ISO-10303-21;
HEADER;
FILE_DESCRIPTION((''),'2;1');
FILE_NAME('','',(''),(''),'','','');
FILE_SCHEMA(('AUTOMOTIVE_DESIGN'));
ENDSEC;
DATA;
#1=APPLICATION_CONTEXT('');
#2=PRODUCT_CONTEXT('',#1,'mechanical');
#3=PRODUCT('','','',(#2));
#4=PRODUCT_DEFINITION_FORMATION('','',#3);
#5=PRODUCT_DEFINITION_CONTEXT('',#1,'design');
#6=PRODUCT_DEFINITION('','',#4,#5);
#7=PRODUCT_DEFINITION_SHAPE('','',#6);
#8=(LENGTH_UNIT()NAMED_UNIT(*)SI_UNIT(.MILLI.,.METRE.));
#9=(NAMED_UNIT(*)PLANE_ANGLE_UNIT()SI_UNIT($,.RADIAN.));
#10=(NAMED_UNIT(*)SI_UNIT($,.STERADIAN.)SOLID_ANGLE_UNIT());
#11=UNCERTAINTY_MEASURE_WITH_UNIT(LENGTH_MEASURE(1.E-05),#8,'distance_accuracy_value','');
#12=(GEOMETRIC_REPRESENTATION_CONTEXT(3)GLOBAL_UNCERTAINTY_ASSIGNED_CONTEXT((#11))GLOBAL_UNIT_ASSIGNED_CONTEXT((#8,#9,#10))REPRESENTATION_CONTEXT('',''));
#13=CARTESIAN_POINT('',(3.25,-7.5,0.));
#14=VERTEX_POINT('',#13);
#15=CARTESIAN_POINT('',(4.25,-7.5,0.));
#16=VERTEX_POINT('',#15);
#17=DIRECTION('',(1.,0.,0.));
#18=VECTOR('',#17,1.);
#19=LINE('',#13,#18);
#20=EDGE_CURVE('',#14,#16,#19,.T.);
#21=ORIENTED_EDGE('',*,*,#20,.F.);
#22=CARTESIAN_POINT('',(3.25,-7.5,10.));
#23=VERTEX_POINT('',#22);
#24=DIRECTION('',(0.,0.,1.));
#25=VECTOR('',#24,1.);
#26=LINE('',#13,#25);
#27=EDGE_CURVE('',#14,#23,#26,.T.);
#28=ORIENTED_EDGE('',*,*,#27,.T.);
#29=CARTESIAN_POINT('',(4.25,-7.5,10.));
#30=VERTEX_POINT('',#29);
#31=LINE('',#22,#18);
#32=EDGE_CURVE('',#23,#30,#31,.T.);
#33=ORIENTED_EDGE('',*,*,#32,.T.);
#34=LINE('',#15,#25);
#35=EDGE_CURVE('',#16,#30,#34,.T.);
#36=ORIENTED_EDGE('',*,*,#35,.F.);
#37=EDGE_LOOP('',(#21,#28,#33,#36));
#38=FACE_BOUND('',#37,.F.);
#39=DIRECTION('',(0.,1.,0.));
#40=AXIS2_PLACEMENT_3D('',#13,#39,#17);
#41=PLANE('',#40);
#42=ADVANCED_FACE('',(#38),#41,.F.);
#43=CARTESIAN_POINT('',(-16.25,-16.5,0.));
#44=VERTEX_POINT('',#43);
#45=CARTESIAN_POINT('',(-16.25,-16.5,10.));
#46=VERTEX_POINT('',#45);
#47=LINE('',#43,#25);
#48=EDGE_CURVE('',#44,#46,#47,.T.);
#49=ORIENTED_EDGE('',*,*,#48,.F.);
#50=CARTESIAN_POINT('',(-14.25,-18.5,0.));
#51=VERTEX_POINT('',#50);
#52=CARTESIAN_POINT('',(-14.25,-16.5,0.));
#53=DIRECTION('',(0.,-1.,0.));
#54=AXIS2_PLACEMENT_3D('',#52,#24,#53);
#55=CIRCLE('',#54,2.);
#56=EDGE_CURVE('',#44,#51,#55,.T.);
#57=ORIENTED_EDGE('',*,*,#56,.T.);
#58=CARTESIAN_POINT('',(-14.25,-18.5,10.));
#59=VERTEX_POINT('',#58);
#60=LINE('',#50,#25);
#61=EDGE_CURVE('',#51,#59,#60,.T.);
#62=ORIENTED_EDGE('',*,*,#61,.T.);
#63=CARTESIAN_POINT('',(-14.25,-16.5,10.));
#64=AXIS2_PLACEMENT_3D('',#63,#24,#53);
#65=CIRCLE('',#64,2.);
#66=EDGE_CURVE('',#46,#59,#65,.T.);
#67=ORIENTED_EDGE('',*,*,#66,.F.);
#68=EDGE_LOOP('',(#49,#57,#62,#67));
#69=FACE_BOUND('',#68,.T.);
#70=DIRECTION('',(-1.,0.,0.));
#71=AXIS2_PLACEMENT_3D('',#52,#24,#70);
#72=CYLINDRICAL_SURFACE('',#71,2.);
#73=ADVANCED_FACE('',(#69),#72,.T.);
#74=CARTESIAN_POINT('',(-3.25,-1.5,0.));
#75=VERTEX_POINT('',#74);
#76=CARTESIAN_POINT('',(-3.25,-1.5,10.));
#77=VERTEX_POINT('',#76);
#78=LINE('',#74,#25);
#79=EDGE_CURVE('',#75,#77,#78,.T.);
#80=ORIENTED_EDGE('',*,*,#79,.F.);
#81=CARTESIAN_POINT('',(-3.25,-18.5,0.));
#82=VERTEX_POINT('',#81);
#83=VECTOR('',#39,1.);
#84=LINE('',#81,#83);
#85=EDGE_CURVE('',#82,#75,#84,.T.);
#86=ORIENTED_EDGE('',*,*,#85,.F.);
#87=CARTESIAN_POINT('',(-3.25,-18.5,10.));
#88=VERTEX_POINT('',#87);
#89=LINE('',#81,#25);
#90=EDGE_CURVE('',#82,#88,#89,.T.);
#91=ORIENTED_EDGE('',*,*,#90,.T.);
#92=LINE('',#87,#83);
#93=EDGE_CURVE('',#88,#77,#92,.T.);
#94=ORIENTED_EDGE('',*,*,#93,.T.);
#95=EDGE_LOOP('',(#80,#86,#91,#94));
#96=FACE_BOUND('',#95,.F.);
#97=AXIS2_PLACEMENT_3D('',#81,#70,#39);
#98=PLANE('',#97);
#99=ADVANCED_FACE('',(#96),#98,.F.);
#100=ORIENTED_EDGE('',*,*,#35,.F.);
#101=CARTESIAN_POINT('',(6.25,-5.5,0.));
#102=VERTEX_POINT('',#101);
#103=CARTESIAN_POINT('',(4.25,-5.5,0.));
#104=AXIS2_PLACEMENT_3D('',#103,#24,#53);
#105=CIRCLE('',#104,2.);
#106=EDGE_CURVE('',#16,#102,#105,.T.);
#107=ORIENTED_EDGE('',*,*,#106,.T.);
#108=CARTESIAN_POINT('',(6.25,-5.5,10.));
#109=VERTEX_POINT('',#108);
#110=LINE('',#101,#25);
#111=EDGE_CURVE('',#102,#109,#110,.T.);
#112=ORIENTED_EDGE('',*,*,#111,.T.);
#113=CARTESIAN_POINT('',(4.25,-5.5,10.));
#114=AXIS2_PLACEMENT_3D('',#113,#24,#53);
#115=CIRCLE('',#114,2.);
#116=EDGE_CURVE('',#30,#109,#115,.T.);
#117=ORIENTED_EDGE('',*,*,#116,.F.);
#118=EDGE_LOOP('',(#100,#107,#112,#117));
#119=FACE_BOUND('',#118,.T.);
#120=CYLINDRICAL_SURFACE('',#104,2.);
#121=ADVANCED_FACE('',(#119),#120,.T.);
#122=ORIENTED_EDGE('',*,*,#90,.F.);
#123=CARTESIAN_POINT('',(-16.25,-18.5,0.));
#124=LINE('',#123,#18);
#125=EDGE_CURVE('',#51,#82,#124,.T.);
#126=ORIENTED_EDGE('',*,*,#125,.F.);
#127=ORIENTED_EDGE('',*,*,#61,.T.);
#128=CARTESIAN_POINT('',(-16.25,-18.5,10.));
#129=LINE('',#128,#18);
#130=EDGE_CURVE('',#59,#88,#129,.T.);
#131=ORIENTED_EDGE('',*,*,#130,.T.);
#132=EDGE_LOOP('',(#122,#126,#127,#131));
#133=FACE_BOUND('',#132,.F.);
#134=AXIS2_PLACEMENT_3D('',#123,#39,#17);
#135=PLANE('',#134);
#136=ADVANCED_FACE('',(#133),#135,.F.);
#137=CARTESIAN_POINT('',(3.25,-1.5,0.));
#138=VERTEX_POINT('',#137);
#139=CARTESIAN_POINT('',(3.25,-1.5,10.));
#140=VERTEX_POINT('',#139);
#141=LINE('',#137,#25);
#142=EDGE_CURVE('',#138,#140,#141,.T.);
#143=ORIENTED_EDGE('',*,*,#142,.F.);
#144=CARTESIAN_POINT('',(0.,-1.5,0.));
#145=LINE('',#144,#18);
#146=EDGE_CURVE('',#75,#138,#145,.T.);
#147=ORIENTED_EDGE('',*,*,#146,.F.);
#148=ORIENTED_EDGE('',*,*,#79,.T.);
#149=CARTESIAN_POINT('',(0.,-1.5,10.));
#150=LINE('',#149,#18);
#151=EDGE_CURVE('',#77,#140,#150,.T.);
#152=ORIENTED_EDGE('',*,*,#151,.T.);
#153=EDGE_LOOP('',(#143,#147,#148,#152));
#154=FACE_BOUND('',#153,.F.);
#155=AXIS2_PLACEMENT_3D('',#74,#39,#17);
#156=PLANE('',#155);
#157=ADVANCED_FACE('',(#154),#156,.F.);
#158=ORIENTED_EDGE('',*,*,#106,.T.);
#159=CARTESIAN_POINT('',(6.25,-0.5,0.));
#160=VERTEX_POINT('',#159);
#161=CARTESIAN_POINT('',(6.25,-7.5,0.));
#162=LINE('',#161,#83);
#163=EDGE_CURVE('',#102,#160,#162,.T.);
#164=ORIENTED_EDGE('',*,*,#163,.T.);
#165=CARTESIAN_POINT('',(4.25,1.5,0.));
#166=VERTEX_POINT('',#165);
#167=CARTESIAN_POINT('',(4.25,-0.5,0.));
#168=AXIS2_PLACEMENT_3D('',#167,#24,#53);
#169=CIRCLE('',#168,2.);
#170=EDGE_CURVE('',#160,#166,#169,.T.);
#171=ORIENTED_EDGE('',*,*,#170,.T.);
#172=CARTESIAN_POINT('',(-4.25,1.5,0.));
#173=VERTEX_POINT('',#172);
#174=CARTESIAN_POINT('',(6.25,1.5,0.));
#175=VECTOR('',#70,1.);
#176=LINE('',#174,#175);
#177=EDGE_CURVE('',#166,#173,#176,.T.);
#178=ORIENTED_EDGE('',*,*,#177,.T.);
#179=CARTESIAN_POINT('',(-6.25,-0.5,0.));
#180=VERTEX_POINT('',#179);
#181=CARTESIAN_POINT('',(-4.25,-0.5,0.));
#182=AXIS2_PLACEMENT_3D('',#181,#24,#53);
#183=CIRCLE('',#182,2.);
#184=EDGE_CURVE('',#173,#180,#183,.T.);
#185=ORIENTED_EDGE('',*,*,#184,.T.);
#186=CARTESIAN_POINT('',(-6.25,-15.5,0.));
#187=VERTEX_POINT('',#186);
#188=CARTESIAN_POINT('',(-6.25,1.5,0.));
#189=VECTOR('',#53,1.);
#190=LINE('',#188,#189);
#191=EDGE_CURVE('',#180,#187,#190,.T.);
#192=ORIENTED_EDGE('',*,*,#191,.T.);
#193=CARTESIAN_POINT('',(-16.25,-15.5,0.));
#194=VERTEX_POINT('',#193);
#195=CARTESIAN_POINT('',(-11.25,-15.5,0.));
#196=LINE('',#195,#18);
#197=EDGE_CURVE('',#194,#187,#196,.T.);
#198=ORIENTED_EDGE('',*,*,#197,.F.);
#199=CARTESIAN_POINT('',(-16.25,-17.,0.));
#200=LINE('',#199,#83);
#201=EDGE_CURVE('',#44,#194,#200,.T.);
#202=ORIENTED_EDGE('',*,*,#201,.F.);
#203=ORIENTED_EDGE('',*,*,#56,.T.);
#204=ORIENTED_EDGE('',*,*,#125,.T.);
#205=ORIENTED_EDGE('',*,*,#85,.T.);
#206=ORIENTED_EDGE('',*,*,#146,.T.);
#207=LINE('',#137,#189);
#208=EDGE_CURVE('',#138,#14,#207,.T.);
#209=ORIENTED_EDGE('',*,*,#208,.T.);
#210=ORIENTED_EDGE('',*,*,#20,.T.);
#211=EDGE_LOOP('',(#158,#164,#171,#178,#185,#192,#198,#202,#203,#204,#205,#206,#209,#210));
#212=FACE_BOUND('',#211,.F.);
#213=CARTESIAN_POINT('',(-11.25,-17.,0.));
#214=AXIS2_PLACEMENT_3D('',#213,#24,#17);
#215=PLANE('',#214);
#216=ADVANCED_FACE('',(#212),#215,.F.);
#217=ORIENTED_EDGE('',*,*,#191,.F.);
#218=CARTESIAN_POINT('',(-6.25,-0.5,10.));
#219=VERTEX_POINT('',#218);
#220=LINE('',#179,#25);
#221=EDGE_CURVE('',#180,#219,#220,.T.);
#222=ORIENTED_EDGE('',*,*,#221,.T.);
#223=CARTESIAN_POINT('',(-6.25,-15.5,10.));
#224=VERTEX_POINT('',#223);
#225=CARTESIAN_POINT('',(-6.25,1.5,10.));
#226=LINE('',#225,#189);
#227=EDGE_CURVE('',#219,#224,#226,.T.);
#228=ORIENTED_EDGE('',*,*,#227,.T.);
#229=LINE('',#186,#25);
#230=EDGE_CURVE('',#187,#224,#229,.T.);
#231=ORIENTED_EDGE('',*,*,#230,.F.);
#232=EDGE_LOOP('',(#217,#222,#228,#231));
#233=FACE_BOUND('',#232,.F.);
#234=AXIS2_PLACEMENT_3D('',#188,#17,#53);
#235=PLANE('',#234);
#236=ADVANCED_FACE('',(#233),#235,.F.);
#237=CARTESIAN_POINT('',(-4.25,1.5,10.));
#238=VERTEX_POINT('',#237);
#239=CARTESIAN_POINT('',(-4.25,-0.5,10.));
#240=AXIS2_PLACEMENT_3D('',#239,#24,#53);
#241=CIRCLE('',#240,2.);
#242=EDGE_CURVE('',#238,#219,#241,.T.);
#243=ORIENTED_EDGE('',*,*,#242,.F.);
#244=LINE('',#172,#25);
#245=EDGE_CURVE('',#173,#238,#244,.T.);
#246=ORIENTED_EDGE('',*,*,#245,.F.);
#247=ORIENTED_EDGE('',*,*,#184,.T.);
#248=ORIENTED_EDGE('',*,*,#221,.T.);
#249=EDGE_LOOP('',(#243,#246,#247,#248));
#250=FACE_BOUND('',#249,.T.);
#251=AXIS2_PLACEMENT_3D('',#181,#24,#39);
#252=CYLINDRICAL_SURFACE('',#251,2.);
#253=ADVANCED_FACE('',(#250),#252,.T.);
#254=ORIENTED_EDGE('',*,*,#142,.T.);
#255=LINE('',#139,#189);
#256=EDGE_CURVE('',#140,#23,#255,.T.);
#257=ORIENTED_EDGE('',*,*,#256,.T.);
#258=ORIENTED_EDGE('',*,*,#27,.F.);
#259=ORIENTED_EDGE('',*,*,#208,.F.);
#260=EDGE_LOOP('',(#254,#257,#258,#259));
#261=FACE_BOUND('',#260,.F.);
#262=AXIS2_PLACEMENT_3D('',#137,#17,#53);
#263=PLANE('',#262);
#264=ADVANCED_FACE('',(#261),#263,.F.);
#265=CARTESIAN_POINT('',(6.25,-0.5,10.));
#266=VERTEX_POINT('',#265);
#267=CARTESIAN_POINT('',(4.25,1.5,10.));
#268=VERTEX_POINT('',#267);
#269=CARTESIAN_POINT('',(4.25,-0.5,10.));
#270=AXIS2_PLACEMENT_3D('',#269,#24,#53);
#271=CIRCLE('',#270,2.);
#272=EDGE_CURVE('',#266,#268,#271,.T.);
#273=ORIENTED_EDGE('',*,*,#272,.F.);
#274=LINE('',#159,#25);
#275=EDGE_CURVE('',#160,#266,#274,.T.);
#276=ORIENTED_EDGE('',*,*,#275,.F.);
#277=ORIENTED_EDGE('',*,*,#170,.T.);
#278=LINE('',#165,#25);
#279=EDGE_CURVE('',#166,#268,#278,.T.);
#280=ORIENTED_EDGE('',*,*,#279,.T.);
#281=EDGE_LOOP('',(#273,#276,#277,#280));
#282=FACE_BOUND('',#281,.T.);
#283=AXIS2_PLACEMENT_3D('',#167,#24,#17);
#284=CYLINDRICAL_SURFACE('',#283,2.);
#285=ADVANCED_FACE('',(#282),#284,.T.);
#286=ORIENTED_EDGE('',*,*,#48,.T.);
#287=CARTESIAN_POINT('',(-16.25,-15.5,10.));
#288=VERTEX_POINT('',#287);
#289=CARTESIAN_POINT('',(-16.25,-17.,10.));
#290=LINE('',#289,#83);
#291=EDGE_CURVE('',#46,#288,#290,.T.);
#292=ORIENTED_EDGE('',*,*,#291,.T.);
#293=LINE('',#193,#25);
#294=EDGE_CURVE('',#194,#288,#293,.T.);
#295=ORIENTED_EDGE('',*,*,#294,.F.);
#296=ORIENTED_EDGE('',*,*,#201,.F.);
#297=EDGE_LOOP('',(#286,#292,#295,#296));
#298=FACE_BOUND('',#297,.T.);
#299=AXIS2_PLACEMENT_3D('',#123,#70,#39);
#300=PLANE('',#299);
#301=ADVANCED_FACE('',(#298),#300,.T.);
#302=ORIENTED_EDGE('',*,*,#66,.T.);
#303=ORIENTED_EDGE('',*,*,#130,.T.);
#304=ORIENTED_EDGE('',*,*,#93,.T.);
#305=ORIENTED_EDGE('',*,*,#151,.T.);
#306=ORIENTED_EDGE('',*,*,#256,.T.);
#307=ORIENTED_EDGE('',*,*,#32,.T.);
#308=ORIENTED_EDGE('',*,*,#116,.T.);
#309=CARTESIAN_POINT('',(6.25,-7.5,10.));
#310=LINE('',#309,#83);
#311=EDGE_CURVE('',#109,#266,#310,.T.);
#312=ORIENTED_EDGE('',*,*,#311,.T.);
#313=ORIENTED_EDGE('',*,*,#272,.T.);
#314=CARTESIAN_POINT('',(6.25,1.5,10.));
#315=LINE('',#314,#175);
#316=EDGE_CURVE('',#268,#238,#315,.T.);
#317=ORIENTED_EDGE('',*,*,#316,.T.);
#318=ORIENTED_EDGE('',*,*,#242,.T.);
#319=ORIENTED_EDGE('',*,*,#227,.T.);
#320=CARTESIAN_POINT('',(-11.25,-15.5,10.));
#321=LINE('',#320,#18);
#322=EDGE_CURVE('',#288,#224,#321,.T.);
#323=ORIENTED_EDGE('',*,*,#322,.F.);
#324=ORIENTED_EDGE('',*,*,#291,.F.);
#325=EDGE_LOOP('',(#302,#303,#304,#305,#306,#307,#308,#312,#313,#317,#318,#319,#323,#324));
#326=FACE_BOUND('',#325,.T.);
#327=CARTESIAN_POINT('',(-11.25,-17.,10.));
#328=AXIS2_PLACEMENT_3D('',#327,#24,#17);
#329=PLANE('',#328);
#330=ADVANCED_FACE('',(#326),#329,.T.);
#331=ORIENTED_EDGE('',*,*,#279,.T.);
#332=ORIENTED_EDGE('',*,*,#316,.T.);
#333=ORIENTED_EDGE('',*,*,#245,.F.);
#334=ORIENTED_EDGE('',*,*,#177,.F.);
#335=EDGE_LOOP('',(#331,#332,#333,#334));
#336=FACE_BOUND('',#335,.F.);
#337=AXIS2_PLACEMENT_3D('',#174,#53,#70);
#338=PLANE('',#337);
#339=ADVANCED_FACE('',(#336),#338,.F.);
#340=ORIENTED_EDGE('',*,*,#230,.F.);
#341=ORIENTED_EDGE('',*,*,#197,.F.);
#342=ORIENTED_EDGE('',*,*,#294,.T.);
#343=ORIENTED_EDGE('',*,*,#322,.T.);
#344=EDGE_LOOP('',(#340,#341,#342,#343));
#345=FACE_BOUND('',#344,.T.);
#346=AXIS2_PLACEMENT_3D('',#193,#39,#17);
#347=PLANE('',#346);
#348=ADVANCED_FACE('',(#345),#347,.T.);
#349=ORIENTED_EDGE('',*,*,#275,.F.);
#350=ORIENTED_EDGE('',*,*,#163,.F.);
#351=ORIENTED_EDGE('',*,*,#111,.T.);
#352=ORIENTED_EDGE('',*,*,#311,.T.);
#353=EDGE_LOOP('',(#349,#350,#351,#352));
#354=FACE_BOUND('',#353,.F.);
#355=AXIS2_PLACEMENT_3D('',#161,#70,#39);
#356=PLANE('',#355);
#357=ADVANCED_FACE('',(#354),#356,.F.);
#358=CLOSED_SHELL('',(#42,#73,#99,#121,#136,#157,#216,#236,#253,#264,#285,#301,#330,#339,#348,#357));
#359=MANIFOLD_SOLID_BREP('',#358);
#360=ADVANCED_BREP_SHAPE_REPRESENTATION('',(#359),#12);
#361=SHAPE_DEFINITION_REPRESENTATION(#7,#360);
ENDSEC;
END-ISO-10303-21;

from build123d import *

# Parameters (mm, degrees)
F0_W     = 10
F0_H     = 3
F0_W_2   = 6.5
F1_DEPTH = 10
F2_R     = 2


with BuildPart() as f1:
    # F0 (on Top) → F1 (new body)
    with BuildSketch(Plane.XY):
        with Locations((-11.25, -17)):
            Rectangle(F0_W, F0_H)
        Polygon((-3.25, -18.5), (-3.25, -1.5), (-3.25, 1.5), (-6.25, 1.5), (-6.25, -15.5), (-6.25, -18.5), align=None)
        Rectangle(F0_W_2, F0_H)
        Polygon((3.25, 1.5), (3.25, -1.5), (3.25, -7.5), (6.25, -7.5), (6.25, 1.5), align=None)
    extrude(amount=F1_DEPTH)

    # F2
    f2_edges = [f1.edges().sort_by_distance(p)[0] for p in [
        (-6.25, 1.5, 5),
        (6.25, 1.5, 5),
        (6.25, -7.5, 5),
        (-16.25, -18.5, 5),
    ]]
    fillet(f2_edges, radius=F2_R)


solid = f1.part
